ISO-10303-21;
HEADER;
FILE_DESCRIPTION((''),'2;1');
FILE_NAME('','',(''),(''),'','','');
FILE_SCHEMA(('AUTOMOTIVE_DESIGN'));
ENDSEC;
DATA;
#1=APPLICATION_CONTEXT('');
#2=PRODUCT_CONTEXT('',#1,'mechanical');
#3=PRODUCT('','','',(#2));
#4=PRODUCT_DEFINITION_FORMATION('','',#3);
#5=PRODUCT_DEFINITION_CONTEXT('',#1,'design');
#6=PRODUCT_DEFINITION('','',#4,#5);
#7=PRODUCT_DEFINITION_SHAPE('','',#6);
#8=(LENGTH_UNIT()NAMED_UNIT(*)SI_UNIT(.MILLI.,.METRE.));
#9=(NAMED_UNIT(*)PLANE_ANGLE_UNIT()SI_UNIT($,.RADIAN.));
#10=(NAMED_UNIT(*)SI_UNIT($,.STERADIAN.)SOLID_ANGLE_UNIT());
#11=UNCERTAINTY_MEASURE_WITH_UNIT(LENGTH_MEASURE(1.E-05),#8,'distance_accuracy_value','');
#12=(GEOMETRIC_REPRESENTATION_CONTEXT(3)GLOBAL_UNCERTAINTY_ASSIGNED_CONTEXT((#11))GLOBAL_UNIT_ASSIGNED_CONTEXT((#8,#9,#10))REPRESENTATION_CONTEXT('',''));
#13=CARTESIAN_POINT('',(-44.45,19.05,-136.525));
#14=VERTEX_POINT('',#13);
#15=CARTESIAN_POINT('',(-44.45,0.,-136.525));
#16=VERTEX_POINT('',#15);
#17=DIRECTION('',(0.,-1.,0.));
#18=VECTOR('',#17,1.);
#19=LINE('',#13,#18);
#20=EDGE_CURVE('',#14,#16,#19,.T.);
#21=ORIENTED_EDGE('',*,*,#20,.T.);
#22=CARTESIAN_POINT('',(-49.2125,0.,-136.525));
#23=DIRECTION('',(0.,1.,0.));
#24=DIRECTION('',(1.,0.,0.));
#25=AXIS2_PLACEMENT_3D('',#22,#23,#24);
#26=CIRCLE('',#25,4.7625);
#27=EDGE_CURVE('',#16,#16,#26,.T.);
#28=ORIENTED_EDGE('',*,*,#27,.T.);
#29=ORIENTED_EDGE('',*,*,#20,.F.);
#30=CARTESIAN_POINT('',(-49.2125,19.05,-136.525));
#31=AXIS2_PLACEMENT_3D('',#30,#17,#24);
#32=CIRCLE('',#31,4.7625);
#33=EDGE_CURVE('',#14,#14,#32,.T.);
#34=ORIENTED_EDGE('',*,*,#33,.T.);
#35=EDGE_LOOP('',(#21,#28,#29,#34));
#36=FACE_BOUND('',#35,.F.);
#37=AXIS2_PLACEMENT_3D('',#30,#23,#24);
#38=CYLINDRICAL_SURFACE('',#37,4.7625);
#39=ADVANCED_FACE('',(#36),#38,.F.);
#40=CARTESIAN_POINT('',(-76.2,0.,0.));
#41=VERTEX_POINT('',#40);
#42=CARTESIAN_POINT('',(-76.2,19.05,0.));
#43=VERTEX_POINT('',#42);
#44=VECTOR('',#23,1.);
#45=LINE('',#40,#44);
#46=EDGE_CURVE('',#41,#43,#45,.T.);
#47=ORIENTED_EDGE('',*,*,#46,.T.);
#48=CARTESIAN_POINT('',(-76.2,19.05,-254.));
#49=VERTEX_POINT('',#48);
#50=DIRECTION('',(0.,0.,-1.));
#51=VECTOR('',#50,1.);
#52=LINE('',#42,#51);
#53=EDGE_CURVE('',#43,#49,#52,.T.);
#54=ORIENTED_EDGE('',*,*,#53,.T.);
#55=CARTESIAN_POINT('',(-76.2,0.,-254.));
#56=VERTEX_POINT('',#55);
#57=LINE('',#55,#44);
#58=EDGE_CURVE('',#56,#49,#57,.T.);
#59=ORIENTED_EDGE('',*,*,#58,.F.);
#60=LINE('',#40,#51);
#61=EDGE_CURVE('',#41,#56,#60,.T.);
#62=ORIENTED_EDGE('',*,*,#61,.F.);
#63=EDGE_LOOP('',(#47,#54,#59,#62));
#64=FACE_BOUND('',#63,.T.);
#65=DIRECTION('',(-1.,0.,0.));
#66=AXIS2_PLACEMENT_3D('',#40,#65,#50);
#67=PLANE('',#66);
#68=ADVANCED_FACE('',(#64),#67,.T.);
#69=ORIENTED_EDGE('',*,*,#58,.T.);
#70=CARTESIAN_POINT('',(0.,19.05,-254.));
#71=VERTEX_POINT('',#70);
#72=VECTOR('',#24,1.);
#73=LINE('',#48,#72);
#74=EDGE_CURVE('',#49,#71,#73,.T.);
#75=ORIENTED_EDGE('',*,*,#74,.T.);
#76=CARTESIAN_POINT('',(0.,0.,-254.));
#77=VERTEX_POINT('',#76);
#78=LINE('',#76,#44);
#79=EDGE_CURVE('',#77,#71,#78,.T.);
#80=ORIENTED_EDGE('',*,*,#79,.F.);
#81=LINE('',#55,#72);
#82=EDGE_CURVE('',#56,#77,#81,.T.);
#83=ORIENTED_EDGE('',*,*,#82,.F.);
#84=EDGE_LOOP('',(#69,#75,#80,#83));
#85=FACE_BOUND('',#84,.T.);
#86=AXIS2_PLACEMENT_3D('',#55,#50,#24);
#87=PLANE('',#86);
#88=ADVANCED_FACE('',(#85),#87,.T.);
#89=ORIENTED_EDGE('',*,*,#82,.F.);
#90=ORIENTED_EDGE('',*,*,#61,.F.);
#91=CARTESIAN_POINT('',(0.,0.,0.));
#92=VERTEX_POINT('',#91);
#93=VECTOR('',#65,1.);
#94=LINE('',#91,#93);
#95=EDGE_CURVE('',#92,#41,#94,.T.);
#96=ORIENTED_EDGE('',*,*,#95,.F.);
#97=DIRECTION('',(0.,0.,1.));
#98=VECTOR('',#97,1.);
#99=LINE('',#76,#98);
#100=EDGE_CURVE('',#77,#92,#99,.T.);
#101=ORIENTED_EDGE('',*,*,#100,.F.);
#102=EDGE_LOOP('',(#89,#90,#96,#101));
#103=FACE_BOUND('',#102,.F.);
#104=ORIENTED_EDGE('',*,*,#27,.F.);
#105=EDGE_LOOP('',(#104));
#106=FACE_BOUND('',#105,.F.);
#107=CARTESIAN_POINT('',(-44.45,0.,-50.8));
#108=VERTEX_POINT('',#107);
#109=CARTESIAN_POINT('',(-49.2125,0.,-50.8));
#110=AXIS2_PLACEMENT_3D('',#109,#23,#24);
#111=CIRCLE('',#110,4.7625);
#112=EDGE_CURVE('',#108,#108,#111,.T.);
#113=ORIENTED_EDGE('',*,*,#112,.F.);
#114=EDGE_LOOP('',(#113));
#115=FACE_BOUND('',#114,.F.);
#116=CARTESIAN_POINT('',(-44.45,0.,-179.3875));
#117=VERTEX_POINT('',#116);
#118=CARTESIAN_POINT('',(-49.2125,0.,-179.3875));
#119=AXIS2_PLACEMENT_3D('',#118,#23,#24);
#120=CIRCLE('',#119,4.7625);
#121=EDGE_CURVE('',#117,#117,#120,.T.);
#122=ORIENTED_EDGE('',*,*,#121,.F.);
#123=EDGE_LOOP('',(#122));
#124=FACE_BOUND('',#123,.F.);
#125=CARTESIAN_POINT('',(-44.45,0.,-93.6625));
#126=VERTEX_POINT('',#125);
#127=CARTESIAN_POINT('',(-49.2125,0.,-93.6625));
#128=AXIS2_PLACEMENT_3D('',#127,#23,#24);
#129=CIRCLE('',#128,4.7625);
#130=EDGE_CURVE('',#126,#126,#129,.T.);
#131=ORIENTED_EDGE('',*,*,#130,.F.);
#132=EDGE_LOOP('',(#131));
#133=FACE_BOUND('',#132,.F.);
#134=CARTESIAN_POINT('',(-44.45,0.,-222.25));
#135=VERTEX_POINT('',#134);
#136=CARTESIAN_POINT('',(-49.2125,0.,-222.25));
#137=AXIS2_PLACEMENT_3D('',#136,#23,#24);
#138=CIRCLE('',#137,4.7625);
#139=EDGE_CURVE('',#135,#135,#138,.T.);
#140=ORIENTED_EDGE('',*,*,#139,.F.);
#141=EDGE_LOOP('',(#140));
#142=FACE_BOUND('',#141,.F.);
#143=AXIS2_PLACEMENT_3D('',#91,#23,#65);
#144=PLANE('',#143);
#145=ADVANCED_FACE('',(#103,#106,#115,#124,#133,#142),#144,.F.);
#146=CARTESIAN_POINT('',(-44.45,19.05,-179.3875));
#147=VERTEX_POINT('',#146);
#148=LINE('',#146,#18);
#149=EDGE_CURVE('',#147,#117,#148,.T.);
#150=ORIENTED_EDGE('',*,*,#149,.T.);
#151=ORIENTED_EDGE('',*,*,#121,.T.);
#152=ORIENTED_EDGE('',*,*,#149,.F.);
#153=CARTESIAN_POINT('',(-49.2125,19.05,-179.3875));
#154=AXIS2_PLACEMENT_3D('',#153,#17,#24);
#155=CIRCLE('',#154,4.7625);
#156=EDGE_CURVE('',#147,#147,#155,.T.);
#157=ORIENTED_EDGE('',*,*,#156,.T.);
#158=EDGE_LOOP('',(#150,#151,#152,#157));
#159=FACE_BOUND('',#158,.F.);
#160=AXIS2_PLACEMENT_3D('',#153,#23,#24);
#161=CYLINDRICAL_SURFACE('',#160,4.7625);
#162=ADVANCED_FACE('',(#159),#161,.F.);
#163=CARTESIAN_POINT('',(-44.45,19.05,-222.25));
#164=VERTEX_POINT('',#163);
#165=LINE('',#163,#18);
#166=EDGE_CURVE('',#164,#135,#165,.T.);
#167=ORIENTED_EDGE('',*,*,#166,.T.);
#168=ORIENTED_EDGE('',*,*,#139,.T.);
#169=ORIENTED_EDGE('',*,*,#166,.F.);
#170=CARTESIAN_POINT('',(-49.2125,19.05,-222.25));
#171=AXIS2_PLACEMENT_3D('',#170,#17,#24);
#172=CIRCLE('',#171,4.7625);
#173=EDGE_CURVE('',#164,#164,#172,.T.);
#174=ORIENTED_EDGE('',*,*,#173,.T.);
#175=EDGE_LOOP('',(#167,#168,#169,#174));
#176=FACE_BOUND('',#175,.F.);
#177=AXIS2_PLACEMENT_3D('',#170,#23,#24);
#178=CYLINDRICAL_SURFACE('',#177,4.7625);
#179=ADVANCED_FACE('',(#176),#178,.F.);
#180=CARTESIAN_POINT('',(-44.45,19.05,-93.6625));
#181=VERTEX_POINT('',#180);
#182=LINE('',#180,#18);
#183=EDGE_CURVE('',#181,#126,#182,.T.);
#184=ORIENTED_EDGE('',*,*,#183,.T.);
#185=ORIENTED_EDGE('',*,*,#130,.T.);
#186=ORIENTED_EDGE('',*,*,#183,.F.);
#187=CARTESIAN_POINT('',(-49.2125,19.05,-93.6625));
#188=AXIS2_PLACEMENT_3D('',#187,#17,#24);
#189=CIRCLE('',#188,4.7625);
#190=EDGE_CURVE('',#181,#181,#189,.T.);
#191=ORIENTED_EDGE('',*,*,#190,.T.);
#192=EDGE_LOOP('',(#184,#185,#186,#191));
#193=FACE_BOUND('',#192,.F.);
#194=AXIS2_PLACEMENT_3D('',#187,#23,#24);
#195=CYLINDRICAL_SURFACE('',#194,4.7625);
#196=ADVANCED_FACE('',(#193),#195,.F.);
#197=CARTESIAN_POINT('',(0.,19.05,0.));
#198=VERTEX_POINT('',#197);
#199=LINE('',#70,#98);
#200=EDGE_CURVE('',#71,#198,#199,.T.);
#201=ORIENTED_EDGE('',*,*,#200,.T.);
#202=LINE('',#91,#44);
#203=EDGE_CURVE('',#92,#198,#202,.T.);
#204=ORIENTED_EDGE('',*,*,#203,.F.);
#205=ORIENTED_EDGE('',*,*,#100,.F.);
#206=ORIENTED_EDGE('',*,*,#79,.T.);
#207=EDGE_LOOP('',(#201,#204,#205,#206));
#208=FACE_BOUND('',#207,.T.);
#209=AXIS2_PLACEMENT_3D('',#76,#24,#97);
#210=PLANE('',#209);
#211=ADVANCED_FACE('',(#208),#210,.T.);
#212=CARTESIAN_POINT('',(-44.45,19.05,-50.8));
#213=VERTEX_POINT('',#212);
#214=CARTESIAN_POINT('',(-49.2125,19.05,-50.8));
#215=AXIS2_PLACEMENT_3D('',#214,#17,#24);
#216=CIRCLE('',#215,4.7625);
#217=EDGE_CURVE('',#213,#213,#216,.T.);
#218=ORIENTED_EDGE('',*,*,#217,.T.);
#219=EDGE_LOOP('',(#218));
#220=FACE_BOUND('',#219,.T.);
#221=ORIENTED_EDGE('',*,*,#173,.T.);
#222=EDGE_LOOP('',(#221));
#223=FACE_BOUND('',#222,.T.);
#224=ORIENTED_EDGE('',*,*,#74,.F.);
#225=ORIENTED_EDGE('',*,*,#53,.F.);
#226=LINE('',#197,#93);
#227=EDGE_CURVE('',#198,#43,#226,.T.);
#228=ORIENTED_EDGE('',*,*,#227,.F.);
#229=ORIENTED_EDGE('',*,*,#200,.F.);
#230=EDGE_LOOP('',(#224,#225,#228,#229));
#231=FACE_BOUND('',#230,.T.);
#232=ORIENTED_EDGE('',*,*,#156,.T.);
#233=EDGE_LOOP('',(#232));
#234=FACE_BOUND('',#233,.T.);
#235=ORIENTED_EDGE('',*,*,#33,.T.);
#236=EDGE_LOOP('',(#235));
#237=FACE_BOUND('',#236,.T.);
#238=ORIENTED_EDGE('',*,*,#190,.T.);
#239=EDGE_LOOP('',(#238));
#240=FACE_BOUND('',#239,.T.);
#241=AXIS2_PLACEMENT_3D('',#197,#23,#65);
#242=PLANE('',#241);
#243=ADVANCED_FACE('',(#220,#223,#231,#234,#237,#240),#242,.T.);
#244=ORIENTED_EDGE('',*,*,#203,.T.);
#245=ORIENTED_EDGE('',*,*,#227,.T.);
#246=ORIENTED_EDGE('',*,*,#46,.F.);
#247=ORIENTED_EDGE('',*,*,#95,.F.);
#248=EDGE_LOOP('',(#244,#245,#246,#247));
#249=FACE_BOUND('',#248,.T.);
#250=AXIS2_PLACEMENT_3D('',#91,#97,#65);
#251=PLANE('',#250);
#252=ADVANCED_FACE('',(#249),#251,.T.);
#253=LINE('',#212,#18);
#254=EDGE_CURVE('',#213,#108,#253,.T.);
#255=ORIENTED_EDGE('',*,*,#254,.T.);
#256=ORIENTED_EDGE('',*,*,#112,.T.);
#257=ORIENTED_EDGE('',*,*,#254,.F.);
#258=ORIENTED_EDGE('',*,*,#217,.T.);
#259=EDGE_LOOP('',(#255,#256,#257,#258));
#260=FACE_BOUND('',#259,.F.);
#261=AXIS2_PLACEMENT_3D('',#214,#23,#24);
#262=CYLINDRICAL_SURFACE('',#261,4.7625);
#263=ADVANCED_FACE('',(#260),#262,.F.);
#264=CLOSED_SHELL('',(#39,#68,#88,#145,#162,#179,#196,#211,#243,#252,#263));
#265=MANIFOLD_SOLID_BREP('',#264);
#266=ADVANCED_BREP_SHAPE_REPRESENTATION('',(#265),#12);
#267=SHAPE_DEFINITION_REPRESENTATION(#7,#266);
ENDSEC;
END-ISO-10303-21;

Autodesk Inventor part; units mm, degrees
ref_plane "YZ Plane" through (0, 0, 0) normal (1, 0, 0) x (0, 1, 0)
ref_plane "XZ Plane" through (0, 0, 0) normal (0, 1, 0) x (-1, 0, 0)
ref_plane "XY Plane" through (0, 0, 0) normal (0, 0, 1) x (1, 0, 0)
sketch "Sketch1" plane through (0, 0, 0) normal (0, 1, 0) x (-1, 0, 0)
  line L0 (0, 0) -> (76.2, 0)
  line L1 (76.2, 0) -> (76.2, -254)
  line L2 (76.2, -254) -> (0, -254)
  line L3 (0, -254) -> (0, 0)
  dimension "d0" = 254
  dimension "d1" = 76.2
extrude "Extrusion1" add sketch "Sketch1" along normal blind 19.05
sketch "Sketch2" plane through (0, 19.05, 0) normal (0, 1, 0) x (1, 0, 0)
  line L0 (-76.2, 0) -> (0, 0) projected
  line L1 (-49.2125, 0) -> (-49.2125, 850.9)
  line L2 (0, 0) -> (0, 254) projected
  line L3 (-76.2, 254) -> (-76.2, 0) projected
  circle A0 centre (-49.2125, 50.8) radius 4.7625
  circle A1 centre (-49.2125, 93.6625) radius 4.7625
  circle A2 centre (-49.2125, 136.525) radius 4.7625
  circle A3 centre (-49.2125, 179.3875) radius 4.7625
  circle A4 centre (-49.2125, 222.25) radius 4.7625
  dimension "d4" = 26.9875
  dimension "d5" = 50.8
  dimension "d6" = 9.525
  dimension "d7" = 42.8625
  dimension "d8" = 42.8625
  dimension "d9" = 42.8625
  dimension "d10" = 42.8625
extrude "Extrusion2" cut sketch "Sketch2" against normal up to surface (19.05 mm away)
equation "\"d0\" = botPlateLength"
equation "\"d1\" = botPlateWidth"
equation "\"d2\" = woodThickness"
equation "\"d4\" = tuningPegOffset"
equation "\"d5\" = tuningPegEndOffset"
equation "\"d6\" = tuningPegDiameter"
equation "\"d7\" = tuningPegSeparation"
equation "\"d8\" = tuningPegSeparation"
equation "\"d9\" = tuningPegSeparation"
equation "\"d10\" = tuningPegSeparation"
equation "\"botPlateWidth\" = 76.2"
equation "\"woodThickness\" = 19.05"
equation "\"stringLength\" = 647.7"
equation "\"neckLength\" = 203.2"
equation "\"tuningPegOffset\" = 26.9875"
equation "\"tuningPegDiameter\" = 9.525"
equation "\"tuningPegEndOffset\" = 50.8"
equation "\"botPlateLength\" = 254"
equation "\"tuningPegSeparation\" = 42.8625"
properties part number "bodyBotPlate"
